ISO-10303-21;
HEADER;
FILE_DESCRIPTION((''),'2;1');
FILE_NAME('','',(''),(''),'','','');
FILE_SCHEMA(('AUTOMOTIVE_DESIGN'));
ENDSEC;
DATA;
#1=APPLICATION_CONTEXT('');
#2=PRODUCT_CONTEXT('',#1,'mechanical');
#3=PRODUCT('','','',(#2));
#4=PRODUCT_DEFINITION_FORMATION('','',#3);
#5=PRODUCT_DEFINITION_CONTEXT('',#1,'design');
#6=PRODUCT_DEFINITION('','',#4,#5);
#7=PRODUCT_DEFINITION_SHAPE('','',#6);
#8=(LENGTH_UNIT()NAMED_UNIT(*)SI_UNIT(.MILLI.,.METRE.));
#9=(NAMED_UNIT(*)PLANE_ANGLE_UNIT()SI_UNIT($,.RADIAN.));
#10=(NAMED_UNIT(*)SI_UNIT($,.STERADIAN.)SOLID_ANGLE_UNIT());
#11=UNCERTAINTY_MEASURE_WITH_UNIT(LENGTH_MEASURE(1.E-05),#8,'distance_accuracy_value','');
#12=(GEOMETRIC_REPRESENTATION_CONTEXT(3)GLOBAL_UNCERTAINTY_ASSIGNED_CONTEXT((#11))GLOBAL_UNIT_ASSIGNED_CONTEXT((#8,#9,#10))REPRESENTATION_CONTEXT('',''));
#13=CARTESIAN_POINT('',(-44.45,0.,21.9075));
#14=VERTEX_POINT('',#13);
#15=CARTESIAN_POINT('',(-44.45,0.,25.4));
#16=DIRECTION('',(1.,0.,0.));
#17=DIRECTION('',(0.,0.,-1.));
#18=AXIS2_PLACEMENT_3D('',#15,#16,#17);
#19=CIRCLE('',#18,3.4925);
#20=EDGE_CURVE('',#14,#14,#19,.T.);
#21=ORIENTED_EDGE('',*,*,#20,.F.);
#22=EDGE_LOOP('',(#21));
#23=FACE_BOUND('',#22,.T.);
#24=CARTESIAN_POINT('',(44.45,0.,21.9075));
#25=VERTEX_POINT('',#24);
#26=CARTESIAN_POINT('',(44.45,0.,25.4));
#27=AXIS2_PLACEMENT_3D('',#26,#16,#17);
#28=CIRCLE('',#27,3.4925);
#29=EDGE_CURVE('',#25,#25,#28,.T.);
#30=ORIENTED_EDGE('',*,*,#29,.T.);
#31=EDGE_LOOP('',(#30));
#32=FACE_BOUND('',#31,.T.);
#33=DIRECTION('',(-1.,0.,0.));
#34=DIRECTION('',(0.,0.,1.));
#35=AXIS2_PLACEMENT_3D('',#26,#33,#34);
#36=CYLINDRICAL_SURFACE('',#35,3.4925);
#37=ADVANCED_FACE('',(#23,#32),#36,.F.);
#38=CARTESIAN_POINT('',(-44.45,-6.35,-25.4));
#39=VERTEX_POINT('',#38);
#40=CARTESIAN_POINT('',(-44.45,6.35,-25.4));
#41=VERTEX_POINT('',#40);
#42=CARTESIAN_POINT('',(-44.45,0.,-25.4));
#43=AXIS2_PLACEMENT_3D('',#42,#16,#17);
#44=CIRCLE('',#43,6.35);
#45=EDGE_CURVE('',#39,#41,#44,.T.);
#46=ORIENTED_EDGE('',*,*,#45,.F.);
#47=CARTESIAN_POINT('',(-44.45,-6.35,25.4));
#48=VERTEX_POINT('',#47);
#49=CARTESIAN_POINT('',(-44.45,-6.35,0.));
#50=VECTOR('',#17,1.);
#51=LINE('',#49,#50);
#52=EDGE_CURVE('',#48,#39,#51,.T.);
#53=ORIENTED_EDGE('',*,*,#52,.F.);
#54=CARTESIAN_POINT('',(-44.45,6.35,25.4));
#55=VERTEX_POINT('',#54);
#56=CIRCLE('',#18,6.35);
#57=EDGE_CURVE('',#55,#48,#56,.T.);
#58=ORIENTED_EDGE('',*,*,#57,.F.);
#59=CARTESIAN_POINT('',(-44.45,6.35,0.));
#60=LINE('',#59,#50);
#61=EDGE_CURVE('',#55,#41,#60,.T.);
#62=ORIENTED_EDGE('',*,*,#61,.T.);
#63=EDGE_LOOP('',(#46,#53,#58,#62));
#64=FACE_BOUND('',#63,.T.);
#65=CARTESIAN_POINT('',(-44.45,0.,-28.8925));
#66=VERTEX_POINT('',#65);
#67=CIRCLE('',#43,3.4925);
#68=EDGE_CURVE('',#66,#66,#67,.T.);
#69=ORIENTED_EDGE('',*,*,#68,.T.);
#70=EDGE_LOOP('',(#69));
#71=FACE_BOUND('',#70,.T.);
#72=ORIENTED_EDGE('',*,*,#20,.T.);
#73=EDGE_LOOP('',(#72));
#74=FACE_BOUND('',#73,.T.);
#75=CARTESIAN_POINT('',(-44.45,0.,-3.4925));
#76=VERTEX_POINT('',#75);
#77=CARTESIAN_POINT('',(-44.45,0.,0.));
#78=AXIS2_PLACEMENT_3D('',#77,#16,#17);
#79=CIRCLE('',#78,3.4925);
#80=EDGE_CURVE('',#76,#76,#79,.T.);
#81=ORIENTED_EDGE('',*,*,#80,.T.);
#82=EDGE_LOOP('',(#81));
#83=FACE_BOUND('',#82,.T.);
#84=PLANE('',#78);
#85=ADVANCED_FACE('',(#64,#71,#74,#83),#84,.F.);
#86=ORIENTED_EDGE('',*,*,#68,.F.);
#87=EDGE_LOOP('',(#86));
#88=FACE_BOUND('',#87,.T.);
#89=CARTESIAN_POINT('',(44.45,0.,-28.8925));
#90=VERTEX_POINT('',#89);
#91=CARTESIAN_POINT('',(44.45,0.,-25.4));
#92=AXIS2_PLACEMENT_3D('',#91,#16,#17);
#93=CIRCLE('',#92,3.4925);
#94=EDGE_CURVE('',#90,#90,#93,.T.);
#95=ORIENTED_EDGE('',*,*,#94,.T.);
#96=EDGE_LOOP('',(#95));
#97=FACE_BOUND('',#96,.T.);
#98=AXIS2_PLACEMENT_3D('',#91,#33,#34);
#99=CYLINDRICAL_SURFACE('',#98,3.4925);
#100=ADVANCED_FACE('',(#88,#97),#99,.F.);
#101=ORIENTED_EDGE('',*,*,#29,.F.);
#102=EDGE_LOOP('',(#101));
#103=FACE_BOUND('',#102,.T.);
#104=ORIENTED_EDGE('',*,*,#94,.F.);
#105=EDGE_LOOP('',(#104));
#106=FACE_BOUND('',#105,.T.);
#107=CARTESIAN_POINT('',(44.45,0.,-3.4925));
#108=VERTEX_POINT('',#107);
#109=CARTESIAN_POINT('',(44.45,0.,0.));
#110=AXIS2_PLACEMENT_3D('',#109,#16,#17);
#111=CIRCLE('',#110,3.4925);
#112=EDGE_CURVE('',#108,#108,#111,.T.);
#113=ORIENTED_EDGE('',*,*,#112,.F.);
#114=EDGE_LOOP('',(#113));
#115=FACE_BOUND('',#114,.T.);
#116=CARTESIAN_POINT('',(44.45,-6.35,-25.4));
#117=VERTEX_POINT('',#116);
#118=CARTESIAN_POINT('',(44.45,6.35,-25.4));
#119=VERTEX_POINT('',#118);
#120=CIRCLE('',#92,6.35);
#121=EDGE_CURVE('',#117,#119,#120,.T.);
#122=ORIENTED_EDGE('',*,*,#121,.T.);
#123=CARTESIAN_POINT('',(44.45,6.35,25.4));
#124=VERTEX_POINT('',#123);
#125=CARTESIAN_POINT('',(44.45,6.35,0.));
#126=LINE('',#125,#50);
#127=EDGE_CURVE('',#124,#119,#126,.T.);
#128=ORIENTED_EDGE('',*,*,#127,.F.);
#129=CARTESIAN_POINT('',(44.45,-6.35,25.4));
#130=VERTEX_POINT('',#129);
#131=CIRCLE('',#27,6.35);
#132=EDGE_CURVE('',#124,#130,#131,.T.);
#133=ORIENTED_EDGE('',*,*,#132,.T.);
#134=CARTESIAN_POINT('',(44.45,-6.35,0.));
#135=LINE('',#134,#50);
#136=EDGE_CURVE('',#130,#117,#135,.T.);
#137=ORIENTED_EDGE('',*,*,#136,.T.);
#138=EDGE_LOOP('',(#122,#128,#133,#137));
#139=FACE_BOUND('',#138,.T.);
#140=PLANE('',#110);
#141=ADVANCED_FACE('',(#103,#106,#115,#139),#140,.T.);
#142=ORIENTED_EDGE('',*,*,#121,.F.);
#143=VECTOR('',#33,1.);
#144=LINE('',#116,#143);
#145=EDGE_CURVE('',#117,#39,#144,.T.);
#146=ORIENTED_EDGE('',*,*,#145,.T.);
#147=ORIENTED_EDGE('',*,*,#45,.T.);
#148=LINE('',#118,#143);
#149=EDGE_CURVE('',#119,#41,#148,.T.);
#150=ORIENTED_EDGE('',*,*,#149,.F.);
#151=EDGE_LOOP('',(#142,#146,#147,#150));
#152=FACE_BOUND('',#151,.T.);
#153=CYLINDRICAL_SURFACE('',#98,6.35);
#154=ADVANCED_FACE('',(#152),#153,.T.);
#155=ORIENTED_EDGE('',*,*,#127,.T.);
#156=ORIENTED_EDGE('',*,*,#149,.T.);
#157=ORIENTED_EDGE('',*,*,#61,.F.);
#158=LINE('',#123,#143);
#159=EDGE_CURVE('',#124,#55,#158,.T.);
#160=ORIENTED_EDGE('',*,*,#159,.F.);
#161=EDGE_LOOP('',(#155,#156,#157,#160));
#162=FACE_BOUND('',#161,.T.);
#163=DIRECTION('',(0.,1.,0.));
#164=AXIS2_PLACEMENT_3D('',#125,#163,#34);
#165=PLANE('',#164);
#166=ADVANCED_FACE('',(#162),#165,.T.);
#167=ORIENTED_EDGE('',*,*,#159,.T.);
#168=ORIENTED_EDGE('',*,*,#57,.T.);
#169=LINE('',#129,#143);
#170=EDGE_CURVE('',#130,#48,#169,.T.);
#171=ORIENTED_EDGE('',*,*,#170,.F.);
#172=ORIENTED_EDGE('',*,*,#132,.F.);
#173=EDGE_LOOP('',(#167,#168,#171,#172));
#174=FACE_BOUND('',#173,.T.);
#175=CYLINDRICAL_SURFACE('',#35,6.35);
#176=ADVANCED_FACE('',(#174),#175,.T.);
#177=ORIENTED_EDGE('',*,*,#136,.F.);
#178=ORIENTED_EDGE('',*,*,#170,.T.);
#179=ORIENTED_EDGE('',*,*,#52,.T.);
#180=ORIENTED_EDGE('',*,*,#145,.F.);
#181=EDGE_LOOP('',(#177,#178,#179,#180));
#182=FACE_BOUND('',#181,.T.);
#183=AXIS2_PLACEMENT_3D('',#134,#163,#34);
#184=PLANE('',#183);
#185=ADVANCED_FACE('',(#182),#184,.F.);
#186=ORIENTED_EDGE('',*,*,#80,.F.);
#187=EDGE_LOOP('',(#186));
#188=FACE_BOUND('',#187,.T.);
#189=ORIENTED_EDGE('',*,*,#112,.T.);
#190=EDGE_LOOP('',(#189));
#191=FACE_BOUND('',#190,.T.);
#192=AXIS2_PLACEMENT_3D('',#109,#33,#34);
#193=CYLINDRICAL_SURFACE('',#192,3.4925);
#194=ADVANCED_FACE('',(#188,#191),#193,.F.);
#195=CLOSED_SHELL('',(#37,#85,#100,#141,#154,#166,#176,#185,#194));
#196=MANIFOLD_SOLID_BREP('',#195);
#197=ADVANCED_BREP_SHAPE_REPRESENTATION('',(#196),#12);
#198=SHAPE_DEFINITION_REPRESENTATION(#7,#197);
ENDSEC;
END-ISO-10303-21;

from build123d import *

# Parameters (mm, degrees)
SKETCH1_R           = 3.4925
BOSS_EXTRUDE1_DEPTH = 44.45


with BuildPart() as part:
    # Sketch1 → Boss-Extrude1 (new body, symmetric)
    with BuildSketch(Plane(origin=(0, 0, 0), x_dir=(0, 0, -1), z_dir=(1, 0, 0))):
        with BuildLine():
            Line((-25.4, -6.35), (25.4, -6.35))
            ThreePointArc((25.4, -6.35), (31.75, 0), (25.4, 6.35))
            Line((25.4, 6.35), (-25.4, 6.35))
            ThreePointArc((-25.4, 6.35), (-31.75, 0), (-25.4, -6.35))
        make_face()
        with Locations((-25.4, 0)):
            Circle(SKETCH1_R, mode=Mode.SUBTRACT)
        with Locations((25.4, 0)):
            Circle(SKETCH1_R, mode=Mode.SUBTRACT)
        Circle(SKETCH1_R, mode=Mode.SUBTRACT)
    extrude(amount=BOSS_EXTRUDE1_DEPTH, both=True)


solid = part.part
